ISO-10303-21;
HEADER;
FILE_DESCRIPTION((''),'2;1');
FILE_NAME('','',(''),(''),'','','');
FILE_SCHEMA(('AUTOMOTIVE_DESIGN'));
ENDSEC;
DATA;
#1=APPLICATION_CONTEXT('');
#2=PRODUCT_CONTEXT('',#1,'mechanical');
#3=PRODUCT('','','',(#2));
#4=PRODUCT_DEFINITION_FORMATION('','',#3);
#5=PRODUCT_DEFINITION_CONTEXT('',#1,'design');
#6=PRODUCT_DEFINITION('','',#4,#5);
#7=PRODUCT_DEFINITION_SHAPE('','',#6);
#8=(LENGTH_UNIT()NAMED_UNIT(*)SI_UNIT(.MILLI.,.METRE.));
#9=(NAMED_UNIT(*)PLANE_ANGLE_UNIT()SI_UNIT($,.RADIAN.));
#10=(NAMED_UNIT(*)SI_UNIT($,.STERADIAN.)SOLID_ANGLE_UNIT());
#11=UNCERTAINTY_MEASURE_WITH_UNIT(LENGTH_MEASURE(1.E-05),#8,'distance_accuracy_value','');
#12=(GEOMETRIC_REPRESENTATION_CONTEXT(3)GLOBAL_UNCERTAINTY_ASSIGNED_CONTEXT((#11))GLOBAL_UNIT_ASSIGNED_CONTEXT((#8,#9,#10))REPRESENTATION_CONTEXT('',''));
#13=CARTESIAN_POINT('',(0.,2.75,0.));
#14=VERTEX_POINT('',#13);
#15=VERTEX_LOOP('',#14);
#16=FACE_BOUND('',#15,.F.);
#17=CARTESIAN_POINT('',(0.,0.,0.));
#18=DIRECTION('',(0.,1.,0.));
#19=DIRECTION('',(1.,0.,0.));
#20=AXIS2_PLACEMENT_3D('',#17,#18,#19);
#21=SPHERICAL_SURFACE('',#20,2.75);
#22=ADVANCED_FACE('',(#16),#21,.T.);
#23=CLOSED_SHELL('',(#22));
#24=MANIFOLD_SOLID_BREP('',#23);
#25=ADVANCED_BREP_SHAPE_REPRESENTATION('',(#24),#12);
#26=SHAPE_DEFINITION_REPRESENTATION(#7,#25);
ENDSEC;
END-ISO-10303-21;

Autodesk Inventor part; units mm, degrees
ref_plane "YZ Plane" through (0, 0, 0) normal (1, 0, 0) x (0, 1, 0)
ref_plane "XZ Plane" through (0, 0, 0) normal (0, 1, 0) x (-1, 0, 0)
ref_plane "XY Plane" through (0, 0, 0) normal (0, 0, 1) x (1, 0, 0)
sketch "スケッチ1" plane through (0, 0, 0) normal (0, 0, 1) x (1, 0, 0)
  arc A0 (0, -2.75) -> (0, 2.75) centre (0, 0) ccw
  line L0 (0, 2.75) -> (0, -2.75)
  dimension "d0" = 5.5
revolve "回転1" add sketch "スケッチ1" angle 360 about axis through (0, 2.75, 0) along (0, -1, 0)
properties part number "Parts_SBM-SUJ-5.5" material "鋼"
